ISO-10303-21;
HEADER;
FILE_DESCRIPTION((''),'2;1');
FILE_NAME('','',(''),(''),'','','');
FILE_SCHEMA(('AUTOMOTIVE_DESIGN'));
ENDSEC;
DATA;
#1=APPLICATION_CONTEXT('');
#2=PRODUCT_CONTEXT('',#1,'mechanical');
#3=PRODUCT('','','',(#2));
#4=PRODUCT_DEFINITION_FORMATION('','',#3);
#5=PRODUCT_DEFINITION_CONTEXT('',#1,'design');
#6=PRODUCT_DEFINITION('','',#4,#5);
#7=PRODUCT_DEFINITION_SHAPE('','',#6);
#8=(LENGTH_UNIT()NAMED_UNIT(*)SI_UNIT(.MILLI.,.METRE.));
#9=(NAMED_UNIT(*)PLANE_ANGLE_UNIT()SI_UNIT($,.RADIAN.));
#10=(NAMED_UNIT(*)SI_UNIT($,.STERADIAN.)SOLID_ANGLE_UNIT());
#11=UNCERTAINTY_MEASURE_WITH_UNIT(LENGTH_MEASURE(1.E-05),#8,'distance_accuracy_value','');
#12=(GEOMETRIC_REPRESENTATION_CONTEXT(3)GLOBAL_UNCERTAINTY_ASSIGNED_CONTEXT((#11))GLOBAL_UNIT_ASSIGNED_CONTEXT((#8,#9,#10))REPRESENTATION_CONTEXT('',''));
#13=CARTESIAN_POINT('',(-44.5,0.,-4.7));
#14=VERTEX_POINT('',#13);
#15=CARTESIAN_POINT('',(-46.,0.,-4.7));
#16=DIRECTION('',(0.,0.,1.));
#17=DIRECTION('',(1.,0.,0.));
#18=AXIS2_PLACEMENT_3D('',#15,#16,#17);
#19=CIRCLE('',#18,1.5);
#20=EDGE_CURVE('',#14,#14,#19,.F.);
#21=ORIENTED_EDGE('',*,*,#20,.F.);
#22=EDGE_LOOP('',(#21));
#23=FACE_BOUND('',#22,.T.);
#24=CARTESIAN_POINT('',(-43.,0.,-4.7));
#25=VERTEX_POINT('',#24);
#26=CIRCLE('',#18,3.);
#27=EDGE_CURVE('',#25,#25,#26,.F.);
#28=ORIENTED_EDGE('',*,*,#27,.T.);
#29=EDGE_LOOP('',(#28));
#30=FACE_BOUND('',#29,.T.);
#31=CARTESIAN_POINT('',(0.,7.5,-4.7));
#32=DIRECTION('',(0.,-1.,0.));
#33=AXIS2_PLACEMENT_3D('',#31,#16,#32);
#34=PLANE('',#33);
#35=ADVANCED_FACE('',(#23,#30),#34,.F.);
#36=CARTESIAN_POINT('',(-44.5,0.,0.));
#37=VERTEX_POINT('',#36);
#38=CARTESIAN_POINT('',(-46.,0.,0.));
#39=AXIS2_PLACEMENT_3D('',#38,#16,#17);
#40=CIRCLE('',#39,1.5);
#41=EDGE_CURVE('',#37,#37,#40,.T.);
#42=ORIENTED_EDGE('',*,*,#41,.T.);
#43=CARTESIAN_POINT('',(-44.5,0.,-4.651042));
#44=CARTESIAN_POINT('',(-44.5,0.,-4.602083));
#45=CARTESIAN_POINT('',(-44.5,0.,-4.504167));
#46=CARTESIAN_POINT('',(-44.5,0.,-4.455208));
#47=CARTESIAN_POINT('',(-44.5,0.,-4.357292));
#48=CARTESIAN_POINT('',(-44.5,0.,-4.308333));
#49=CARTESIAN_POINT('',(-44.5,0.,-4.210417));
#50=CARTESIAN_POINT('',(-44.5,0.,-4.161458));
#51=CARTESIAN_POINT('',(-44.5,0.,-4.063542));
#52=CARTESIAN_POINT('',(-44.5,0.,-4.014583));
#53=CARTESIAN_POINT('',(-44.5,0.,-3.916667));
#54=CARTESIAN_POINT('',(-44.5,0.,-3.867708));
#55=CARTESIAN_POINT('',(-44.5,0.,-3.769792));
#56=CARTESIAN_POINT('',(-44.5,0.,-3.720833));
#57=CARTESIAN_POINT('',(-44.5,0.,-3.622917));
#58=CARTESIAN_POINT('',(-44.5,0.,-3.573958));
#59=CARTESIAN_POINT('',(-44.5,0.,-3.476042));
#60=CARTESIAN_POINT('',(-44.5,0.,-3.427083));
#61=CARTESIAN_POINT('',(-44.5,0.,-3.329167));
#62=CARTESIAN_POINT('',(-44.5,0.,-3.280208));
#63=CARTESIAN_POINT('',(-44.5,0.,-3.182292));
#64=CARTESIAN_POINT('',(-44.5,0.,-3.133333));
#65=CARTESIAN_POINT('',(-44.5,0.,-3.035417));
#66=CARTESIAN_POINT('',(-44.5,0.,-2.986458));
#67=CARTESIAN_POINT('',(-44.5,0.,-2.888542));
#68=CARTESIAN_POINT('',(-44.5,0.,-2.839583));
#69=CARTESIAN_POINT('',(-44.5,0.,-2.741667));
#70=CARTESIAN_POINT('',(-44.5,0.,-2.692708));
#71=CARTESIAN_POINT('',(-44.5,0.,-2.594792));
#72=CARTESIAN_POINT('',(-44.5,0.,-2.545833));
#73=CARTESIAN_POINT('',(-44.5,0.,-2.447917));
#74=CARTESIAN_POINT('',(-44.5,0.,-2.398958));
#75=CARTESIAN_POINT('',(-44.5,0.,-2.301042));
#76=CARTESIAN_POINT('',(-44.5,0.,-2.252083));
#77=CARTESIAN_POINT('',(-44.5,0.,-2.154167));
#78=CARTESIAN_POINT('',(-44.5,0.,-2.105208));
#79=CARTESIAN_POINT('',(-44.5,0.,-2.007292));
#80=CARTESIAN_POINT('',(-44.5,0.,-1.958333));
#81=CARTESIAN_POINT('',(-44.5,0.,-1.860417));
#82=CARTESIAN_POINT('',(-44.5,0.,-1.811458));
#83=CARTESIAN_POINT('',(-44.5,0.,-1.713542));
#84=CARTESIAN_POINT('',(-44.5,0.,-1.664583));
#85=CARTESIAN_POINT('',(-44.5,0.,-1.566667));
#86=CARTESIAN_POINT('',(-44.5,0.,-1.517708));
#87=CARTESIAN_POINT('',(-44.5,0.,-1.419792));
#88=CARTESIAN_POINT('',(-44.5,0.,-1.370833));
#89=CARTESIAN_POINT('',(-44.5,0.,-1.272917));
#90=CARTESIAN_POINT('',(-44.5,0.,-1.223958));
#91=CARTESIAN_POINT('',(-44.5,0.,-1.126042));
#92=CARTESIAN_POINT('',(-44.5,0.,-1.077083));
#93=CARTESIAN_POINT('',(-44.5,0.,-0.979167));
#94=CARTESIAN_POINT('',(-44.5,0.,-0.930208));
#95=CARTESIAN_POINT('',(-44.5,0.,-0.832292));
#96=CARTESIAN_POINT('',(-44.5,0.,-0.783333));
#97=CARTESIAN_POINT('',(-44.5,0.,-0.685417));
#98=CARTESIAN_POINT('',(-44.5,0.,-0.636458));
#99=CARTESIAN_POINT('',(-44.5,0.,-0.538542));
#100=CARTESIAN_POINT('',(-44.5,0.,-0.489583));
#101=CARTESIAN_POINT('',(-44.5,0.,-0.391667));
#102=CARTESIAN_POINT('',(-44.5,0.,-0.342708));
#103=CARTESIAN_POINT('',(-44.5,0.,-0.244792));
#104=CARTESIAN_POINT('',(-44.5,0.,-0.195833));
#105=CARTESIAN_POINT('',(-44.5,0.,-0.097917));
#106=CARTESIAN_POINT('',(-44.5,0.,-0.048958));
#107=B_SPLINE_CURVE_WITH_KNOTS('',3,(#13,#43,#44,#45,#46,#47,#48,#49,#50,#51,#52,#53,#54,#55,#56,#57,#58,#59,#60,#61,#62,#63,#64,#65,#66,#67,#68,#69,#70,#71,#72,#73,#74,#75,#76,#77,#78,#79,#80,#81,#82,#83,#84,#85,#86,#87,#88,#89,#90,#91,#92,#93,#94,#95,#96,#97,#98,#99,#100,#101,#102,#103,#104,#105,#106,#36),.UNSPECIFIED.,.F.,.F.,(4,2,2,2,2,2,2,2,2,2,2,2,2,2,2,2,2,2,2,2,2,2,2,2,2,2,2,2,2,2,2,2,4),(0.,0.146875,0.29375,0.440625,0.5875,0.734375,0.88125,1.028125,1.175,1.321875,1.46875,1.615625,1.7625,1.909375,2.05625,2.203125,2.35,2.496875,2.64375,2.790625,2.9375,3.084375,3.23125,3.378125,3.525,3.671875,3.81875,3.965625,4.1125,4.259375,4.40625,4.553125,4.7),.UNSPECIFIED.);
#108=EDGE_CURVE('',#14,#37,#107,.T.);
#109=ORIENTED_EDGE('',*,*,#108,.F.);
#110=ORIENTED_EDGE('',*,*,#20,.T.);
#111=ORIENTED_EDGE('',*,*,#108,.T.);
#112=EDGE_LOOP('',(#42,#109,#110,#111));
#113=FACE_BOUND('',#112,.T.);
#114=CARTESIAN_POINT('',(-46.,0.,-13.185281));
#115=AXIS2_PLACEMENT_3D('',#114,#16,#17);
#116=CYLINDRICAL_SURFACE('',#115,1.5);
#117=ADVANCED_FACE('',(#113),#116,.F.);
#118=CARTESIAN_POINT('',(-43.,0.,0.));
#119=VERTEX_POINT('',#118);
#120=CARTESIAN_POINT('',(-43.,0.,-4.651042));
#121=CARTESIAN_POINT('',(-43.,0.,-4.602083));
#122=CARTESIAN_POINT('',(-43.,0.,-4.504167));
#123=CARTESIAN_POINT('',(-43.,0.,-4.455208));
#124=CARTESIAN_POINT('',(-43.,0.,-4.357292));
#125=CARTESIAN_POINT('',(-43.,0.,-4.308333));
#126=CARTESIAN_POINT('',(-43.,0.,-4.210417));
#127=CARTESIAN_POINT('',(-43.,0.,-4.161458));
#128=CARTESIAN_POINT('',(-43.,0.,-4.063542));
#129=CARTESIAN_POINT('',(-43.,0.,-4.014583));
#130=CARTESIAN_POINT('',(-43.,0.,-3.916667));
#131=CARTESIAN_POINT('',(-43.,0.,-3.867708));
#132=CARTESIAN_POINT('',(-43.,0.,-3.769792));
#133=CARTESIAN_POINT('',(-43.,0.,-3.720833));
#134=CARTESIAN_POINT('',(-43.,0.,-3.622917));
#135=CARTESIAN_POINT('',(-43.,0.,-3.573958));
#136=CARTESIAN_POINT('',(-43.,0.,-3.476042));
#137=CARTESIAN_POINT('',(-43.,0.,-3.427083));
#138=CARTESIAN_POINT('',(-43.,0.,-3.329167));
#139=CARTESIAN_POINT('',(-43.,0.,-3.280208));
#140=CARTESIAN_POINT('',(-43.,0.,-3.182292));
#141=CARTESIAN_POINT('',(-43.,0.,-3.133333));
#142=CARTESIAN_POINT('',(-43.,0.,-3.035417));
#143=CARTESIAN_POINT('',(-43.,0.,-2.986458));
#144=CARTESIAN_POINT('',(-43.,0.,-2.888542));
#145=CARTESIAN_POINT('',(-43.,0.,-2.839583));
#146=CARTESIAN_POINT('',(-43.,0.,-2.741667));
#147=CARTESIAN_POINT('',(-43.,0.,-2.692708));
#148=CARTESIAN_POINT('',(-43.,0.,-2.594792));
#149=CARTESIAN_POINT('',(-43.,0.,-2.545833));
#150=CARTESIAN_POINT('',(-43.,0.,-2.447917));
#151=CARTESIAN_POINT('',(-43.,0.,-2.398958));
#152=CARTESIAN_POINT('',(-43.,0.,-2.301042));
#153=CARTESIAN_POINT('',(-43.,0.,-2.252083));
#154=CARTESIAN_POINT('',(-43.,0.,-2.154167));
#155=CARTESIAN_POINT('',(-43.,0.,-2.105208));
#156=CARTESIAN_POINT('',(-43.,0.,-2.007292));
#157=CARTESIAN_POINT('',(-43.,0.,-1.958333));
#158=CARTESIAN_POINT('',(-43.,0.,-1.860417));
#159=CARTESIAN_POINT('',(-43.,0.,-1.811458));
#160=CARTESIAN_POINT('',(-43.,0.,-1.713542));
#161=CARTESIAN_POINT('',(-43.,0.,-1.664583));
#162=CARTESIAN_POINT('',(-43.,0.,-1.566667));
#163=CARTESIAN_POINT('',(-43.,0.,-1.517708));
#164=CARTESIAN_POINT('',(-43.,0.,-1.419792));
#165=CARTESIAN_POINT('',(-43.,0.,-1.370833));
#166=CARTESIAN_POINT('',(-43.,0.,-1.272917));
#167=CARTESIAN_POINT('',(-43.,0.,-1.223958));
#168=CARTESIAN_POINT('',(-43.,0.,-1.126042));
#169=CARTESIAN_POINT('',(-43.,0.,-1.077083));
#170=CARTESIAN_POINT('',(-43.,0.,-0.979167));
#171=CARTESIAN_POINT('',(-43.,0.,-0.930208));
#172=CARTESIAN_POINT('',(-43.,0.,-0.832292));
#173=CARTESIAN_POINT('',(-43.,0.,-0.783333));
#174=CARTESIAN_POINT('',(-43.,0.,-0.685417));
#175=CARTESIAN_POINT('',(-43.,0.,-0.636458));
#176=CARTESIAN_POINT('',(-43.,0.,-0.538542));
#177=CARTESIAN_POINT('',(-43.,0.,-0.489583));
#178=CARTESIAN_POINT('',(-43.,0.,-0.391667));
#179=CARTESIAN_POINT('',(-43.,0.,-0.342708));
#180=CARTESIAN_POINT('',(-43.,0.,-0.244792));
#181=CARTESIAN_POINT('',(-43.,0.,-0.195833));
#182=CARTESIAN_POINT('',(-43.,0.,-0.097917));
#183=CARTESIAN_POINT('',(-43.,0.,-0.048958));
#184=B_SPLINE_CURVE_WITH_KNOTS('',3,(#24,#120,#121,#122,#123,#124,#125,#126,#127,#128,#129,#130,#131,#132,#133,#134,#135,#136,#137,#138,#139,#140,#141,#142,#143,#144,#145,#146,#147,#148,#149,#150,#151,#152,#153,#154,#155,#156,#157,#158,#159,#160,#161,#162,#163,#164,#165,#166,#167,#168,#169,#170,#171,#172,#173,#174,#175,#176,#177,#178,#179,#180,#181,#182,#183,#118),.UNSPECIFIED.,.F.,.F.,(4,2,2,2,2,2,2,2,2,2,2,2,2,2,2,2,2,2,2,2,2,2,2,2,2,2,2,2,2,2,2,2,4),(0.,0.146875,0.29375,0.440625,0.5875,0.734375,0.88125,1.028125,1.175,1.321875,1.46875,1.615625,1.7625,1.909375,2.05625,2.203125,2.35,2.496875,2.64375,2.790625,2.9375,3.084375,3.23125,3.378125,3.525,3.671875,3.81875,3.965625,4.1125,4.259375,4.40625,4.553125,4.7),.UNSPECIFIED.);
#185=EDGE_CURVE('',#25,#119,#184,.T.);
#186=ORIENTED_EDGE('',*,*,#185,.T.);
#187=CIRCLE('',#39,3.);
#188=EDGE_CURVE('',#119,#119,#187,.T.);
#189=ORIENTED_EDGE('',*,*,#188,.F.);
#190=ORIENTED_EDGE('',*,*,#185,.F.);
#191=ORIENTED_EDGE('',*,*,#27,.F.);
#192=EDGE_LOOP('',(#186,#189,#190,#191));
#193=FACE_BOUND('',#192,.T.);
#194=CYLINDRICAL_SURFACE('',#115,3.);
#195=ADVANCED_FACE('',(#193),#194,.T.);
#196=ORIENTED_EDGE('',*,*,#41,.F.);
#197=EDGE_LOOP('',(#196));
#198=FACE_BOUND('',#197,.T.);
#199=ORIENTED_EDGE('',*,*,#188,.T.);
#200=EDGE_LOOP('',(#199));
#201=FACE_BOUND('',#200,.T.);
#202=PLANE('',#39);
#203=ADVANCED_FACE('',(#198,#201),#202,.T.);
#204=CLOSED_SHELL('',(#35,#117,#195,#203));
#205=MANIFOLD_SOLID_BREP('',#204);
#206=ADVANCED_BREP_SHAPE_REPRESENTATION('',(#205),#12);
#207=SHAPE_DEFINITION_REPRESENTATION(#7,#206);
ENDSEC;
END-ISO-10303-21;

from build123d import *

# Parameters (mm, degrees)
SKETCH1_R           = 3
SKETCH1_R_2         = 1.5
BOSS_EXTRUDE1_DEPTH = 4.7


with BuildPart() as part:
    # Sketch1 → Boss-Extrude1 (new body)
    with BuildSketch(Plane.XY):
        with Locations((-46, 0)):
            Circle(SKETCH1_R)
        with Locations((-46, 0)):
            Circle(SKETCH1_R_2, mode=Mode.SUBTRACT)
    extrude(amount=-BOSS_EXTRUDE1_DEPTH)


solid = part.part
